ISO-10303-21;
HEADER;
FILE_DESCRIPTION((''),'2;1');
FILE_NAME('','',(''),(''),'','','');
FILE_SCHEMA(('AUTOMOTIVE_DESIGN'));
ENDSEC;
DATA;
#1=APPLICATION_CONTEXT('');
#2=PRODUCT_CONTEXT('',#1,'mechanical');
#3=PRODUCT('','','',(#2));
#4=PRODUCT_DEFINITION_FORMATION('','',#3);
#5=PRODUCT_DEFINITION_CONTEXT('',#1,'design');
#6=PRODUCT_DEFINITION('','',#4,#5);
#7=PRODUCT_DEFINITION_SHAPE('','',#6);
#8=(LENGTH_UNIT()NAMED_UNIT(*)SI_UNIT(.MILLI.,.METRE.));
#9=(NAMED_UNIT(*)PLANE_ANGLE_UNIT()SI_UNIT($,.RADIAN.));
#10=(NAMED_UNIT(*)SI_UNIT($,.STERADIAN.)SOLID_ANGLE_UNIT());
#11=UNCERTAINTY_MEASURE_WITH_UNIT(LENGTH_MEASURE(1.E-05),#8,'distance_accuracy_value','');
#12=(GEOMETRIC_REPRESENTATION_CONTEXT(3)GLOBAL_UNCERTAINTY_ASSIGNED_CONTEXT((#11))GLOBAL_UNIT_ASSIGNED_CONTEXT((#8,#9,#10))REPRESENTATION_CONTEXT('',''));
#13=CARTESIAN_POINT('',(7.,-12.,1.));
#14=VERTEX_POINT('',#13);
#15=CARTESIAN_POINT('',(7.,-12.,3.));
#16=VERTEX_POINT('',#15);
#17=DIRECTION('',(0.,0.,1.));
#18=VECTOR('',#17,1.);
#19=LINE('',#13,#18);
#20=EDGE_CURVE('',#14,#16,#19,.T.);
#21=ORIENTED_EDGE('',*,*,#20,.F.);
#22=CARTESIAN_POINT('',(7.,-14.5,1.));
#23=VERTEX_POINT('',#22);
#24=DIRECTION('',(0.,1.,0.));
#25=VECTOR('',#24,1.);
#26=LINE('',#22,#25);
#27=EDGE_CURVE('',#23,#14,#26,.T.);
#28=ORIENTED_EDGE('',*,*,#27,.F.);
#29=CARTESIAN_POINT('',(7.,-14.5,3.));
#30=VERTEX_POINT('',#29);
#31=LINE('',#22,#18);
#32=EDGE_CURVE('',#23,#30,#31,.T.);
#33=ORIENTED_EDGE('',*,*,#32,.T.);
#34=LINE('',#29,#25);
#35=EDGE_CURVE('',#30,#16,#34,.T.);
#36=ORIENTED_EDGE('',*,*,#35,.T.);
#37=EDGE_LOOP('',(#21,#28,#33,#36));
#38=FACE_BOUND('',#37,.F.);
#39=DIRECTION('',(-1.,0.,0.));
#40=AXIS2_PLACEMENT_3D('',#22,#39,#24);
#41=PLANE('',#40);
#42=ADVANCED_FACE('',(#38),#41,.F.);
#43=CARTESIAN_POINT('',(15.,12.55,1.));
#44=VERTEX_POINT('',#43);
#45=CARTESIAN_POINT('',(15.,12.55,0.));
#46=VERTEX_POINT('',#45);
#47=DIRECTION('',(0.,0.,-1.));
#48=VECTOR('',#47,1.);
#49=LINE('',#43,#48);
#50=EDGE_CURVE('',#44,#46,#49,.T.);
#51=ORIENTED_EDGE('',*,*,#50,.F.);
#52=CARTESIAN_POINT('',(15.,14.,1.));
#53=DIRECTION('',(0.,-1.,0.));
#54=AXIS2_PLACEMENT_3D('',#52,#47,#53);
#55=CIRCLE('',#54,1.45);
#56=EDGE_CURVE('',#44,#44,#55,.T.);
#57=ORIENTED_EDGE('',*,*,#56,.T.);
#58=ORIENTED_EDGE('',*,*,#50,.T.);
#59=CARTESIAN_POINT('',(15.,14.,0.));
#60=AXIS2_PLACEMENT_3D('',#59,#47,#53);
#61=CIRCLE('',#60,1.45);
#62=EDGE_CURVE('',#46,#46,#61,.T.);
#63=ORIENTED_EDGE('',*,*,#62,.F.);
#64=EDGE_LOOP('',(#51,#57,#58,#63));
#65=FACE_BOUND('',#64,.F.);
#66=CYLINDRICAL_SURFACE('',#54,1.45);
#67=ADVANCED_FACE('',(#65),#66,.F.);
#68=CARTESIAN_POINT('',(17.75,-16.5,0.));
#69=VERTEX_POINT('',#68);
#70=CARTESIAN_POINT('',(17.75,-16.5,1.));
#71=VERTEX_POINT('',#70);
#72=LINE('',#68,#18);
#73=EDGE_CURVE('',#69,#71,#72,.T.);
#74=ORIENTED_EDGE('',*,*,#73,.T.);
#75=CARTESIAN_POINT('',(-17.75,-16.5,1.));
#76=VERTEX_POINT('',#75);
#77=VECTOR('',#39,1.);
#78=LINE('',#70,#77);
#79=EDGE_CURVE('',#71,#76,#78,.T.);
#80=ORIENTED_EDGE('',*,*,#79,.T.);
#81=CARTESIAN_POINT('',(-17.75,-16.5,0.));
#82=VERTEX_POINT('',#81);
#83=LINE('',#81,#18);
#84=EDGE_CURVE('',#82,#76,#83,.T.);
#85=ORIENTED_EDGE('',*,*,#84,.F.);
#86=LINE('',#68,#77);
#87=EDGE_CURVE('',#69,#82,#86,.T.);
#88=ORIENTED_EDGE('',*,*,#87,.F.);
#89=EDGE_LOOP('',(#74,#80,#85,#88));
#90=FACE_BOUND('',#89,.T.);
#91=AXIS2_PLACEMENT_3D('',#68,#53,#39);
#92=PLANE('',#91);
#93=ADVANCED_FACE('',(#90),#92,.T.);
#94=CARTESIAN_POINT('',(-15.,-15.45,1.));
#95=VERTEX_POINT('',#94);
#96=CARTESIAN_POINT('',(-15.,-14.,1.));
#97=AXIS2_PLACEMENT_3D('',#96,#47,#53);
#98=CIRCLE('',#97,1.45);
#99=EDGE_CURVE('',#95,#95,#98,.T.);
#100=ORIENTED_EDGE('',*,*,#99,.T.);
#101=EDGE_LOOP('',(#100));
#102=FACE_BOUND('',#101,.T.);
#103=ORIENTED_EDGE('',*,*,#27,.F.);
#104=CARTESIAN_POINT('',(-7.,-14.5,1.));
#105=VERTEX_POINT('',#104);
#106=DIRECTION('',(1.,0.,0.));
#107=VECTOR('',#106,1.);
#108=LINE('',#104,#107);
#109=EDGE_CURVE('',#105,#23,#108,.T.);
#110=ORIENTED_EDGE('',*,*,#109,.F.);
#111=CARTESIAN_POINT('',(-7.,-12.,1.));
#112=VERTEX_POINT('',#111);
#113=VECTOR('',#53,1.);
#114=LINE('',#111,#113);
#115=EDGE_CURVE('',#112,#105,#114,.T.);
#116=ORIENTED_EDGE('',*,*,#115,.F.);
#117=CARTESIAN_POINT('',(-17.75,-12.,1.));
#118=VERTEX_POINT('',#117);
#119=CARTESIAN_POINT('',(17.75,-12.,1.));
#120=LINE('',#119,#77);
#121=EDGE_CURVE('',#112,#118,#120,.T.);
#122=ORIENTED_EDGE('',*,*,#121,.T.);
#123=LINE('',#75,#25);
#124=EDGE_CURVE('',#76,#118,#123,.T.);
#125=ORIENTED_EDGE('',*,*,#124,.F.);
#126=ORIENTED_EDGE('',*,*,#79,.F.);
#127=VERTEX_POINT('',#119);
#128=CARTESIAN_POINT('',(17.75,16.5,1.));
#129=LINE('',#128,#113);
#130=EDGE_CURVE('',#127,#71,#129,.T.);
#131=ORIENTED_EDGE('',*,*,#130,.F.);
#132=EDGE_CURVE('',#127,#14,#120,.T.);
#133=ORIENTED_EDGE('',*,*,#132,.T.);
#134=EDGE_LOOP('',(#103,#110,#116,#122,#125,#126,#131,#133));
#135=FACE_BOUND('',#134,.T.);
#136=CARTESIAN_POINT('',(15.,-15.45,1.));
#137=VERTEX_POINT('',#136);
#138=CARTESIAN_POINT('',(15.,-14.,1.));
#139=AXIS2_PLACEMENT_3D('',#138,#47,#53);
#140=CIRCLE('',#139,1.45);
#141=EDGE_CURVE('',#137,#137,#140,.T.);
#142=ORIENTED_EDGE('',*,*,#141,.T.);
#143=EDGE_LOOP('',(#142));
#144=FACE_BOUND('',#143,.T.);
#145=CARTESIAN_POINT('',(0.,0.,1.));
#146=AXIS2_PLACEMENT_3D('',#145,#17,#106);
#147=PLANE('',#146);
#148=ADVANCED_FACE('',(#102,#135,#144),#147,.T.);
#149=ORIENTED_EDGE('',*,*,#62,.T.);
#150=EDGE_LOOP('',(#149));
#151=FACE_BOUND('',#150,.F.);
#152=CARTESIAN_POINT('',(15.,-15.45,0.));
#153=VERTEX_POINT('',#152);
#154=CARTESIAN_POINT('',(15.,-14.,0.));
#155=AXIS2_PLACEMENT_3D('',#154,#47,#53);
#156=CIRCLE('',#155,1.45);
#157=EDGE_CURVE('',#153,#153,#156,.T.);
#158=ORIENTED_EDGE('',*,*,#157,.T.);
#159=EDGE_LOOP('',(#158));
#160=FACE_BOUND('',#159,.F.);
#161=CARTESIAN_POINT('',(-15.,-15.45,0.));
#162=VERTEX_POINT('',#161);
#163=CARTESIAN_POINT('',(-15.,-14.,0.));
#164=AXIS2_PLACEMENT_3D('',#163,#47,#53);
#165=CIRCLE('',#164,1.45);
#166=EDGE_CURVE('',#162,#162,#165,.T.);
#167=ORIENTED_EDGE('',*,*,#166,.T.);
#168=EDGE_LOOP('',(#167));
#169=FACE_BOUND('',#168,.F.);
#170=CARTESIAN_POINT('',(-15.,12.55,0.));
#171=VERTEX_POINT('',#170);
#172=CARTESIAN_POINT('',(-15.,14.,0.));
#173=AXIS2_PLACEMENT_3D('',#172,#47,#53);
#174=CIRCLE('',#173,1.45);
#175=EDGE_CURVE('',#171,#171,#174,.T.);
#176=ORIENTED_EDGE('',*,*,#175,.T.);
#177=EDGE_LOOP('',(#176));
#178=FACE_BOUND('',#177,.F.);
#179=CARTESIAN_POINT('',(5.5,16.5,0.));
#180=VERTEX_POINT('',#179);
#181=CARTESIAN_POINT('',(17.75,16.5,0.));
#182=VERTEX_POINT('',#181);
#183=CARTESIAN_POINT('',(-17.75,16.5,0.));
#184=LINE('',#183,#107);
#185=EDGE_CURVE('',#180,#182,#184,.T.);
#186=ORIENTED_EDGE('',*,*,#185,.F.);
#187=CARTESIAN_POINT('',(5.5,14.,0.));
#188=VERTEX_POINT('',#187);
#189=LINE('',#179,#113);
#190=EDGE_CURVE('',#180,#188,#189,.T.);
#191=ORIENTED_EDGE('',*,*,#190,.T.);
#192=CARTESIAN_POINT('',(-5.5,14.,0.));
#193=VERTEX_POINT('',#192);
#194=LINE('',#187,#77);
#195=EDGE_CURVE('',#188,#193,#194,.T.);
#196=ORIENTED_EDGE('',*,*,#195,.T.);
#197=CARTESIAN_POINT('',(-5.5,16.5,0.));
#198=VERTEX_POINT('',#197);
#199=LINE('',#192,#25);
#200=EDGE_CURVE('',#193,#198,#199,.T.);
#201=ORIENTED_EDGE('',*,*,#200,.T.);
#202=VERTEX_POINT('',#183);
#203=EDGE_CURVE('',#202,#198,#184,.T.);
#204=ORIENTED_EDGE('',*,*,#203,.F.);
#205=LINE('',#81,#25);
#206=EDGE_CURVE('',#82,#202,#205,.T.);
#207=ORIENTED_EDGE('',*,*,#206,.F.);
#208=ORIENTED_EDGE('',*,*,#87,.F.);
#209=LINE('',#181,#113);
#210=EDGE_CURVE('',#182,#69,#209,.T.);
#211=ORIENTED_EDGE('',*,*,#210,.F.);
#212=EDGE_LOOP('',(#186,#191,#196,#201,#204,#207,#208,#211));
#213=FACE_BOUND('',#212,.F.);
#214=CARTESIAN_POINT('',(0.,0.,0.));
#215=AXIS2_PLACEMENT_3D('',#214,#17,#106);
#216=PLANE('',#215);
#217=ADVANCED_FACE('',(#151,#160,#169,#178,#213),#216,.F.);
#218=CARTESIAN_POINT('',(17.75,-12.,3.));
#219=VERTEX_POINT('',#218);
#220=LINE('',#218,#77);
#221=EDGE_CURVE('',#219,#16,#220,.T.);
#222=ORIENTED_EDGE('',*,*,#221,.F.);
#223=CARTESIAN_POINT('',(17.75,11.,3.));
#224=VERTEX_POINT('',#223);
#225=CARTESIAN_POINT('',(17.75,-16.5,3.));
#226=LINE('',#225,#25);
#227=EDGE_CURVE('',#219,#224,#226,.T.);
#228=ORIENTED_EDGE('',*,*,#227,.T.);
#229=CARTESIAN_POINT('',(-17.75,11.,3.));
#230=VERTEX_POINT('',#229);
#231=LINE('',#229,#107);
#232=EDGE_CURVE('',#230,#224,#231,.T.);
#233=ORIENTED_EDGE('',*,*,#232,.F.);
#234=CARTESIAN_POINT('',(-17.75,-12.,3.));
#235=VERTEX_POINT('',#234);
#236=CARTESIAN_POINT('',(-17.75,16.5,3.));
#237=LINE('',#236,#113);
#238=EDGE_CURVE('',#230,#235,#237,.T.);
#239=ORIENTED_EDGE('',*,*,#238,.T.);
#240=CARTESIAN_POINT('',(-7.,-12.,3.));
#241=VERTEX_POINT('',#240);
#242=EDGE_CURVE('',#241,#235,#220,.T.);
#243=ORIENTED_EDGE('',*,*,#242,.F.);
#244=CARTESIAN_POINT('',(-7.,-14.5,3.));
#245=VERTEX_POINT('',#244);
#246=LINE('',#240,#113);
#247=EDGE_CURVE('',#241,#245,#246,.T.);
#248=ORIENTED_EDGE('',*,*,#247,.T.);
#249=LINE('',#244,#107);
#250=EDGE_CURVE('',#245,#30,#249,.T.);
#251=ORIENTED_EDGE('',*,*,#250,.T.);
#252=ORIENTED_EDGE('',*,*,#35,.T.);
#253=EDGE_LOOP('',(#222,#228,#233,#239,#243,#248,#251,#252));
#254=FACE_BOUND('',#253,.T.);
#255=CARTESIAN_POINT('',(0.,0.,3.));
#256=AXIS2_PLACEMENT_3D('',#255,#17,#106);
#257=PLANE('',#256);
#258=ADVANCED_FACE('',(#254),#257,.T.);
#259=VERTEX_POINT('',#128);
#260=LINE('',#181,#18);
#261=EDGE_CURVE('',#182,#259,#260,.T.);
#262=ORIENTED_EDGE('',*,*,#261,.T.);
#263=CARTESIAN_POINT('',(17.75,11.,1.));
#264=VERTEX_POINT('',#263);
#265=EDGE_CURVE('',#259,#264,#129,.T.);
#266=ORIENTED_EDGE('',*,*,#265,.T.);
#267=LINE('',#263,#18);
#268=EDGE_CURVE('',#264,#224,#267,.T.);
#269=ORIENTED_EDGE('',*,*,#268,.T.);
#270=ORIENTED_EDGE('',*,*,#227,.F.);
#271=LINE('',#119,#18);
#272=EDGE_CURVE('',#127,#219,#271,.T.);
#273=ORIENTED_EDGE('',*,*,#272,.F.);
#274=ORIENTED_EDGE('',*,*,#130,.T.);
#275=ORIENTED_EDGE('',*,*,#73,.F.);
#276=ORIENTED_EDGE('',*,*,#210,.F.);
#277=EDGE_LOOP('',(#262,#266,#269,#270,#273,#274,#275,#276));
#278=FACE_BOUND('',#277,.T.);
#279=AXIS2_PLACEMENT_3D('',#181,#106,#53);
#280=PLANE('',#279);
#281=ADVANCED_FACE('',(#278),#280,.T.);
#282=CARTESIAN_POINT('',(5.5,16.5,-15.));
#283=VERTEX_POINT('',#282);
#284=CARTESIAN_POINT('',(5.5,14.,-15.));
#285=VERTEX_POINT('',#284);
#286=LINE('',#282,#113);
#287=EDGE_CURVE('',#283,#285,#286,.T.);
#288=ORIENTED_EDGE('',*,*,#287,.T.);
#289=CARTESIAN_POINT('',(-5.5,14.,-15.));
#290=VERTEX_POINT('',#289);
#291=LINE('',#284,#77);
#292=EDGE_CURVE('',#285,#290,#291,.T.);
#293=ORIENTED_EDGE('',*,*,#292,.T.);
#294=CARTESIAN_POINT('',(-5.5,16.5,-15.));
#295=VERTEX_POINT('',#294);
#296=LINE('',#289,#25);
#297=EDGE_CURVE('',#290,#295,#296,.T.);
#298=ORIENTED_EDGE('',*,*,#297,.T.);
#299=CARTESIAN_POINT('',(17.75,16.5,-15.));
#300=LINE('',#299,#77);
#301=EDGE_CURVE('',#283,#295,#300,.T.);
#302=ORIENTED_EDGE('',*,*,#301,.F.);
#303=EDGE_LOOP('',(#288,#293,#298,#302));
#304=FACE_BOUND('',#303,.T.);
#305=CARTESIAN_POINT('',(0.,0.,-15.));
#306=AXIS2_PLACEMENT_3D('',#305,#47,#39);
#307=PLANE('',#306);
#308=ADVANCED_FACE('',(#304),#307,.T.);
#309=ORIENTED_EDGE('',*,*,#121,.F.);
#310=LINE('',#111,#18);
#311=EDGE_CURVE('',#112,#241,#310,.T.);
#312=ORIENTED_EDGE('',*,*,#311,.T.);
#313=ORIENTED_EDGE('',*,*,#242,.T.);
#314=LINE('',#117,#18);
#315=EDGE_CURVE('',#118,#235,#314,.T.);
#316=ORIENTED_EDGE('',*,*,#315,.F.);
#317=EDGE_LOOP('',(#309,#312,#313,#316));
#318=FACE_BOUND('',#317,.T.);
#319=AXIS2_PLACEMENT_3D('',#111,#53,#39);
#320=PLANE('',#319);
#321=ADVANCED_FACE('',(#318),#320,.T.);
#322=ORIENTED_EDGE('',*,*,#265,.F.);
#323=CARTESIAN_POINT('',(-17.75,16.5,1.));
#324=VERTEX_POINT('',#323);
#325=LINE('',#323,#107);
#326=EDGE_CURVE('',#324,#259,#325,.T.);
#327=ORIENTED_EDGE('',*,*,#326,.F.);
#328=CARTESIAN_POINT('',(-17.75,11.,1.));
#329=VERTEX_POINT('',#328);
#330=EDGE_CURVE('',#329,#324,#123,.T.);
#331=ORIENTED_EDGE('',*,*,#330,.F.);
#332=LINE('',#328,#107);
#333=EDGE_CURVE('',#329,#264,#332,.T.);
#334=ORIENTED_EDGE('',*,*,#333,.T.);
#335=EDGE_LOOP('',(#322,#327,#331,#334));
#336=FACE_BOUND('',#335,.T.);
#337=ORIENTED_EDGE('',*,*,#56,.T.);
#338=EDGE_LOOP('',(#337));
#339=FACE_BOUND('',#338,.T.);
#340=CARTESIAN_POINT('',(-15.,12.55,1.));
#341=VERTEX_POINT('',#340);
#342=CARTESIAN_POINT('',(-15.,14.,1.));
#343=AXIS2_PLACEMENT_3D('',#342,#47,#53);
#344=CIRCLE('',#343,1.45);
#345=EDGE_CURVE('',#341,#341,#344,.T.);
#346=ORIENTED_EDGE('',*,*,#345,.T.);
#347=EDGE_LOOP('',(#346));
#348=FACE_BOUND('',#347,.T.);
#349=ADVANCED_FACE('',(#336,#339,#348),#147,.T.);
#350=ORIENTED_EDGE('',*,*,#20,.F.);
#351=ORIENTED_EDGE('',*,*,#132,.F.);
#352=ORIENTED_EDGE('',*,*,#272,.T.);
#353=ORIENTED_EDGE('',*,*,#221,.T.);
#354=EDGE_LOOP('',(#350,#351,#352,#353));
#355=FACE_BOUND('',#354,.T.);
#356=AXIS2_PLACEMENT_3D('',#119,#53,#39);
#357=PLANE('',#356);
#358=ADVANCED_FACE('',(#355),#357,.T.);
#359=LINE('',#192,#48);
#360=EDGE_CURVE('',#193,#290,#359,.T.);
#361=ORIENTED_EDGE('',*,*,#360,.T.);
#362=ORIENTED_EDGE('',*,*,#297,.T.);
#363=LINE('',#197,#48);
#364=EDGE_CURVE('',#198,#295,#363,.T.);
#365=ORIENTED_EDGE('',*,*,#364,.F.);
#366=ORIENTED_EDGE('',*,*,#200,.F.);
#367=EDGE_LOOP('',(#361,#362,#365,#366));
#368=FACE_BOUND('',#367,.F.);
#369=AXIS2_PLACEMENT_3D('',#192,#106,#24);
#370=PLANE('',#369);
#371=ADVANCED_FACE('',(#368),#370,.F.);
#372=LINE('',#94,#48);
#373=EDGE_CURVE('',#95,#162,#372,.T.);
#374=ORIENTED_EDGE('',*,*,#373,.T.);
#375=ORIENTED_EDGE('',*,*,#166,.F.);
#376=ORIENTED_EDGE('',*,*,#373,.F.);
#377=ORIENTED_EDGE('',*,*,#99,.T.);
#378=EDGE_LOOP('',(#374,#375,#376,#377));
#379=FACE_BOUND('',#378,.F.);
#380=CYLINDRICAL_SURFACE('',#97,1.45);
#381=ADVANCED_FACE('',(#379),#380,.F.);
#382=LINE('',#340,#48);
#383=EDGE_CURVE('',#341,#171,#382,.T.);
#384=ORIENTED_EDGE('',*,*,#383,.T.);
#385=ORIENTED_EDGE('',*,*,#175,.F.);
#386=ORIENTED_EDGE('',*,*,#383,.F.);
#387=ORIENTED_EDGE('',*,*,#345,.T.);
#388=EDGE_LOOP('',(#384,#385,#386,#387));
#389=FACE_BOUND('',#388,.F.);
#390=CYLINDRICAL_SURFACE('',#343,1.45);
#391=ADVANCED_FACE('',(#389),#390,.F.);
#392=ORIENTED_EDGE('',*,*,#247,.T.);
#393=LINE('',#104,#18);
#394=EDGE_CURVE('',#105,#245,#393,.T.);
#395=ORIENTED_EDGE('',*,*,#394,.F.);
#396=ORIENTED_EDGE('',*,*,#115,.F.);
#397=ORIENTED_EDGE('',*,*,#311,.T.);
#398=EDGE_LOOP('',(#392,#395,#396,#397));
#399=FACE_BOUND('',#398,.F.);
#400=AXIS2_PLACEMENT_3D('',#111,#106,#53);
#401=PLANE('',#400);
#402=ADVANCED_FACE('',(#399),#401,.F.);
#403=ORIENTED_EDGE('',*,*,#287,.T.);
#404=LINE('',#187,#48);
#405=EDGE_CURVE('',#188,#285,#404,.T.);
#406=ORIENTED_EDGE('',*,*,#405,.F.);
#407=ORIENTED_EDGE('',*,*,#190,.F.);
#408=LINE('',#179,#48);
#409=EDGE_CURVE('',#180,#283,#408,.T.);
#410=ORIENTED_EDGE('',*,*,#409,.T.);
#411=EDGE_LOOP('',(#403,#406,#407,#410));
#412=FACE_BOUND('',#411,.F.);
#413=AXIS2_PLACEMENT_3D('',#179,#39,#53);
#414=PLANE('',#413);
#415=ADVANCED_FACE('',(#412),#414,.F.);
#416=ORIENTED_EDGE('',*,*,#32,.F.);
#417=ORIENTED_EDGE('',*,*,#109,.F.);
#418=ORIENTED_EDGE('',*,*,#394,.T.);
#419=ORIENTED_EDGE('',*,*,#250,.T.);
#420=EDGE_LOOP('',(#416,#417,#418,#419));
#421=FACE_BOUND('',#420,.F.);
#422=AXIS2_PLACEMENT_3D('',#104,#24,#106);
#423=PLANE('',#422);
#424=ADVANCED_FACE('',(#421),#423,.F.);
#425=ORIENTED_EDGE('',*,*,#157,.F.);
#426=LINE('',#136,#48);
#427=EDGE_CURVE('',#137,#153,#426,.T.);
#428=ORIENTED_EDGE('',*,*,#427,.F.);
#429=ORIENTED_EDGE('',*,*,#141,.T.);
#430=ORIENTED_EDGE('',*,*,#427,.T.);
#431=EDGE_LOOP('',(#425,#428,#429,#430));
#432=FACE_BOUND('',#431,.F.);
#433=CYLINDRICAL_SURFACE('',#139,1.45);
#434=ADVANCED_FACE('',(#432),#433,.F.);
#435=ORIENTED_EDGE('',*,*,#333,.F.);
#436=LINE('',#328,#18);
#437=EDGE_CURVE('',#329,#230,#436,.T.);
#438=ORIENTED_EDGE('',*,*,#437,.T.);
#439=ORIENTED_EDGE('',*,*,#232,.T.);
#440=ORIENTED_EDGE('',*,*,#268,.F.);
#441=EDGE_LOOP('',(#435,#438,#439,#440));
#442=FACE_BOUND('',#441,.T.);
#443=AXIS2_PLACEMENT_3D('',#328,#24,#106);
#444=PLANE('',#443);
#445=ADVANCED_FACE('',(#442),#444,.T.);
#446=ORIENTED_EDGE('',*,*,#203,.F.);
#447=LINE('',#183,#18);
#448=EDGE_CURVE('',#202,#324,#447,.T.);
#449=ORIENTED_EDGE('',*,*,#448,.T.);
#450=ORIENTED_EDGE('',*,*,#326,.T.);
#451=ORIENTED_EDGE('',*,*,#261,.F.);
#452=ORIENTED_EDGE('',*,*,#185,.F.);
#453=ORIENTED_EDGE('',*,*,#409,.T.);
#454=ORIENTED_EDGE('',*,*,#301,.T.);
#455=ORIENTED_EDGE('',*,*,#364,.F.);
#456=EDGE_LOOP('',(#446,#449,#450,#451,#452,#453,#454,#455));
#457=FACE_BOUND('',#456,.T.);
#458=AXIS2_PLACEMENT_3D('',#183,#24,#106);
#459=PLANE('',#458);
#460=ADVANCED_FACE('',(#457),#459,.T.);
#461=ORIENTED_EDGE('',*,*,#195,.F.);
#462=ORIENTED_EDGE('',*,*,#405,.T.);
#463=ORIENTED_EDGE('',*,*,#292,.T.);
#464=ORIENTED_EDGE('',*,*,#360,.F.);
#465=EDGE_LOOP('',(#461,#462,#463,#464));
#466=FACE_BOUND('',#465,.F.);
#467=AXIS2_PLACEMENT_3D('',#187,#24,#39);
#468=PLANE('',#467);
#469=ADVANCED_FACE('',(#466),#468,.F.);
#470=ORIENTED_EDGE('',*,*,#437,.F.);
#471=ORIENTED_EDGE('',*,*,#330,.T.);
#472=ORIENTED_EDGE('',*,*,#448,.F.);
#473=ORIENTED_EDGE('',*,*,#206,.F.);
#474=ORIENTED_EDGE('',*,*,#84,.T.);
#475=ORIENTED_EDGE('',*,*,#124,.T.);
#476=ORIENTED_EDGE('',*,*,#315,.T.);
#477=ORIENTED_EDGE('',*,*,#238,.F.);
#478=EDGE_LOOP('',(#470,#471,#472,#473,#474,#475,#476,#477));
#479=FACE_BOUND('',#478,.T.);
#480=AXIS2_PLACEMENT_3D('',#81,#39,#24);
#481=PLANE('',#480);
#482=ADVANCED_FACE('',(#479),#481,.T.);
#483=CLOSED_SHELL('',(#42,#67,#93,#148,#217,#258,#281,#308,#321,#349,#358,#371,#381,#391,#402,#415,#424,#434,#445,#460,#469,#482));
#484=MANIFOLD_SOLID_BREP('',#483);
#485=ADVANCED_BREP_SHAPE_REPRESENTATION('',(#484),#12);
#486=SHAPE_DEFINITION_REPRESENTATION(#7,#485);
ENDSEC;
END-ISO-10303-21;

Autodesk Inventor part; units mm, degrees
ref_plane "YZ Plane" through (0, 0, 0) normal (1, 0, 0) x (0, 1, 0)
ref_plane "XZ Plane" through (0, 0, 0) normal (0, 1, 0) x (-1, 0, 0)
ref_plane "XY Plane" through (0, 0, 0) normal (0, 0, 1) x (1, 0, 0)
sketch "Skizze1" plane through (0, 0, 0) normal (0, 0, 1) x (1, 0, 0)
  line L0 (-17.75, 16.5) -> (17.75, 16.5)
  line L1 (17.75, 16.5) -> (17.75, -16.5)
  line L2 (17.75, -16.5) -> (-17.75, -16.5)
  line L3 (-17.75, -16.5) -> (-17.75, 16.5)
  line L4 (-17.75, 16.5) -> (17.75, -16.5) construction
  line L5 (17.75, 16.5) -> (-17.75, -16.5) construction
  point P0 (0, 0)
  dimension "d0" = 33
  dimension "d1" = 35.5
extrude "Extrusion1" add sketch "Skizze1" along normal blind 1
sketch "Skizze2" plane through (0, 0, 1) normal (0, 0, 1) x (1, 0, 0)
  line L0 (-17.75, 16.5) -> (-17.75, -16.5) projected
  line L1 (17.75, -16.5) -> (17.75, 16.5) projected
  line L2 (-17.75, 11) -> (17.75, 11)
  line L3 (17.75, 11) -> (17.75, -12)
  line L4 (17.75, -12) -> (-17.75, -12)
  line L5 (-17.75, -12) -> (-17.75, 11)
  line L6 (17.75, 16.5) -> (-17.75, 16.5) projected
  line L7 (-7, -14.5) -> (7, -14.5)
  line L8 (7, -14.5) -> (7, -12)
  line L9 (7, -12) -> (-7, -12)
  line L10 (-7, -12) -> (-7, -14.5)
  line L11 (-7, -14.5) -> (7, -12) construction
  line L12 (7, -14.5) -> (-7, -12) construction
  line L13 (-17.75, -16.5) -> (17.75, -16.5) projected
  point P0 (0, 0)
  point P1 (0, -13.25)
  point P2 (0, -13.25)
  point P3 (17.75, 11)
  point P4 (-17.75, -12)
  point P5 (-7, -12)
  dimension "d4" = 23
  dimension "d5" = 5.5
  dimension "d6" = 14
  dimension "d7" = 2
extrude "Extrusion2" add sketch "Skizze2" along normal blind 2 contours L2 L1 L4 L0 | L4 L8 L7 L10
sketch "Skizze3" plane through (0, 0, 0) normal (0, 0, -1) x (-1, 0, 0)
  line L0 (-17.75, 16.5) -> (17.75, 16.5) projected
  line L1 (-5.5, 14) -> (5.5, 14)
  line L2 (5.5, 14) -> (5.5, 16.5)
  line L3 (5.5, 16.5) -> (-5.5, 16.5)
  line L4 (-5.5, 16.5) -> (-5.5, 14)
  line L5 (-5.5, 14) -> (5.5, 16.5) construction
  line L6 (5.5, 14) -> (-5.5, 16.5) construction
  point P0 (0, 0)
  point P1 (0, 15.25)
  point P2 (0, 15.25)
  dimension "d10" = 11
  dimension "d11" = 2.5
extrude "Extrusion3" add sketch "Skizze3" along normal blind 15
sketch "Skizze4" plane through (0, 0, 1) normal (0, 0, 1) x (1, 0, 0)
  line L0 (-15, 14) -> (15, 14)
  line L1 (15, 14) -> (15, -14)
  line L2 (15, -14) -> (-15, -14)
  line L3 (-15, -14) -> (-15, 14)
  line L4 (-15, 14) -> (15, -14) construction
  line L5 (15, 14) -> (-15, -14) construction
  point P0 (0, 0)
  dimension "d14" = 28
  dimension "d15" = 30
hole "Bohrung1" at (-15, 14, 1) at (15, 14, 1) at (15, -14, 1) at (-15, -14, 1) direction (0, 0, -1) diameter 2.9 end through all clearance for "Flachkopfsenkschraube ISO 2009/7046" size "M2.5" standard "ISO"
properties part number "display" material "Glas"
